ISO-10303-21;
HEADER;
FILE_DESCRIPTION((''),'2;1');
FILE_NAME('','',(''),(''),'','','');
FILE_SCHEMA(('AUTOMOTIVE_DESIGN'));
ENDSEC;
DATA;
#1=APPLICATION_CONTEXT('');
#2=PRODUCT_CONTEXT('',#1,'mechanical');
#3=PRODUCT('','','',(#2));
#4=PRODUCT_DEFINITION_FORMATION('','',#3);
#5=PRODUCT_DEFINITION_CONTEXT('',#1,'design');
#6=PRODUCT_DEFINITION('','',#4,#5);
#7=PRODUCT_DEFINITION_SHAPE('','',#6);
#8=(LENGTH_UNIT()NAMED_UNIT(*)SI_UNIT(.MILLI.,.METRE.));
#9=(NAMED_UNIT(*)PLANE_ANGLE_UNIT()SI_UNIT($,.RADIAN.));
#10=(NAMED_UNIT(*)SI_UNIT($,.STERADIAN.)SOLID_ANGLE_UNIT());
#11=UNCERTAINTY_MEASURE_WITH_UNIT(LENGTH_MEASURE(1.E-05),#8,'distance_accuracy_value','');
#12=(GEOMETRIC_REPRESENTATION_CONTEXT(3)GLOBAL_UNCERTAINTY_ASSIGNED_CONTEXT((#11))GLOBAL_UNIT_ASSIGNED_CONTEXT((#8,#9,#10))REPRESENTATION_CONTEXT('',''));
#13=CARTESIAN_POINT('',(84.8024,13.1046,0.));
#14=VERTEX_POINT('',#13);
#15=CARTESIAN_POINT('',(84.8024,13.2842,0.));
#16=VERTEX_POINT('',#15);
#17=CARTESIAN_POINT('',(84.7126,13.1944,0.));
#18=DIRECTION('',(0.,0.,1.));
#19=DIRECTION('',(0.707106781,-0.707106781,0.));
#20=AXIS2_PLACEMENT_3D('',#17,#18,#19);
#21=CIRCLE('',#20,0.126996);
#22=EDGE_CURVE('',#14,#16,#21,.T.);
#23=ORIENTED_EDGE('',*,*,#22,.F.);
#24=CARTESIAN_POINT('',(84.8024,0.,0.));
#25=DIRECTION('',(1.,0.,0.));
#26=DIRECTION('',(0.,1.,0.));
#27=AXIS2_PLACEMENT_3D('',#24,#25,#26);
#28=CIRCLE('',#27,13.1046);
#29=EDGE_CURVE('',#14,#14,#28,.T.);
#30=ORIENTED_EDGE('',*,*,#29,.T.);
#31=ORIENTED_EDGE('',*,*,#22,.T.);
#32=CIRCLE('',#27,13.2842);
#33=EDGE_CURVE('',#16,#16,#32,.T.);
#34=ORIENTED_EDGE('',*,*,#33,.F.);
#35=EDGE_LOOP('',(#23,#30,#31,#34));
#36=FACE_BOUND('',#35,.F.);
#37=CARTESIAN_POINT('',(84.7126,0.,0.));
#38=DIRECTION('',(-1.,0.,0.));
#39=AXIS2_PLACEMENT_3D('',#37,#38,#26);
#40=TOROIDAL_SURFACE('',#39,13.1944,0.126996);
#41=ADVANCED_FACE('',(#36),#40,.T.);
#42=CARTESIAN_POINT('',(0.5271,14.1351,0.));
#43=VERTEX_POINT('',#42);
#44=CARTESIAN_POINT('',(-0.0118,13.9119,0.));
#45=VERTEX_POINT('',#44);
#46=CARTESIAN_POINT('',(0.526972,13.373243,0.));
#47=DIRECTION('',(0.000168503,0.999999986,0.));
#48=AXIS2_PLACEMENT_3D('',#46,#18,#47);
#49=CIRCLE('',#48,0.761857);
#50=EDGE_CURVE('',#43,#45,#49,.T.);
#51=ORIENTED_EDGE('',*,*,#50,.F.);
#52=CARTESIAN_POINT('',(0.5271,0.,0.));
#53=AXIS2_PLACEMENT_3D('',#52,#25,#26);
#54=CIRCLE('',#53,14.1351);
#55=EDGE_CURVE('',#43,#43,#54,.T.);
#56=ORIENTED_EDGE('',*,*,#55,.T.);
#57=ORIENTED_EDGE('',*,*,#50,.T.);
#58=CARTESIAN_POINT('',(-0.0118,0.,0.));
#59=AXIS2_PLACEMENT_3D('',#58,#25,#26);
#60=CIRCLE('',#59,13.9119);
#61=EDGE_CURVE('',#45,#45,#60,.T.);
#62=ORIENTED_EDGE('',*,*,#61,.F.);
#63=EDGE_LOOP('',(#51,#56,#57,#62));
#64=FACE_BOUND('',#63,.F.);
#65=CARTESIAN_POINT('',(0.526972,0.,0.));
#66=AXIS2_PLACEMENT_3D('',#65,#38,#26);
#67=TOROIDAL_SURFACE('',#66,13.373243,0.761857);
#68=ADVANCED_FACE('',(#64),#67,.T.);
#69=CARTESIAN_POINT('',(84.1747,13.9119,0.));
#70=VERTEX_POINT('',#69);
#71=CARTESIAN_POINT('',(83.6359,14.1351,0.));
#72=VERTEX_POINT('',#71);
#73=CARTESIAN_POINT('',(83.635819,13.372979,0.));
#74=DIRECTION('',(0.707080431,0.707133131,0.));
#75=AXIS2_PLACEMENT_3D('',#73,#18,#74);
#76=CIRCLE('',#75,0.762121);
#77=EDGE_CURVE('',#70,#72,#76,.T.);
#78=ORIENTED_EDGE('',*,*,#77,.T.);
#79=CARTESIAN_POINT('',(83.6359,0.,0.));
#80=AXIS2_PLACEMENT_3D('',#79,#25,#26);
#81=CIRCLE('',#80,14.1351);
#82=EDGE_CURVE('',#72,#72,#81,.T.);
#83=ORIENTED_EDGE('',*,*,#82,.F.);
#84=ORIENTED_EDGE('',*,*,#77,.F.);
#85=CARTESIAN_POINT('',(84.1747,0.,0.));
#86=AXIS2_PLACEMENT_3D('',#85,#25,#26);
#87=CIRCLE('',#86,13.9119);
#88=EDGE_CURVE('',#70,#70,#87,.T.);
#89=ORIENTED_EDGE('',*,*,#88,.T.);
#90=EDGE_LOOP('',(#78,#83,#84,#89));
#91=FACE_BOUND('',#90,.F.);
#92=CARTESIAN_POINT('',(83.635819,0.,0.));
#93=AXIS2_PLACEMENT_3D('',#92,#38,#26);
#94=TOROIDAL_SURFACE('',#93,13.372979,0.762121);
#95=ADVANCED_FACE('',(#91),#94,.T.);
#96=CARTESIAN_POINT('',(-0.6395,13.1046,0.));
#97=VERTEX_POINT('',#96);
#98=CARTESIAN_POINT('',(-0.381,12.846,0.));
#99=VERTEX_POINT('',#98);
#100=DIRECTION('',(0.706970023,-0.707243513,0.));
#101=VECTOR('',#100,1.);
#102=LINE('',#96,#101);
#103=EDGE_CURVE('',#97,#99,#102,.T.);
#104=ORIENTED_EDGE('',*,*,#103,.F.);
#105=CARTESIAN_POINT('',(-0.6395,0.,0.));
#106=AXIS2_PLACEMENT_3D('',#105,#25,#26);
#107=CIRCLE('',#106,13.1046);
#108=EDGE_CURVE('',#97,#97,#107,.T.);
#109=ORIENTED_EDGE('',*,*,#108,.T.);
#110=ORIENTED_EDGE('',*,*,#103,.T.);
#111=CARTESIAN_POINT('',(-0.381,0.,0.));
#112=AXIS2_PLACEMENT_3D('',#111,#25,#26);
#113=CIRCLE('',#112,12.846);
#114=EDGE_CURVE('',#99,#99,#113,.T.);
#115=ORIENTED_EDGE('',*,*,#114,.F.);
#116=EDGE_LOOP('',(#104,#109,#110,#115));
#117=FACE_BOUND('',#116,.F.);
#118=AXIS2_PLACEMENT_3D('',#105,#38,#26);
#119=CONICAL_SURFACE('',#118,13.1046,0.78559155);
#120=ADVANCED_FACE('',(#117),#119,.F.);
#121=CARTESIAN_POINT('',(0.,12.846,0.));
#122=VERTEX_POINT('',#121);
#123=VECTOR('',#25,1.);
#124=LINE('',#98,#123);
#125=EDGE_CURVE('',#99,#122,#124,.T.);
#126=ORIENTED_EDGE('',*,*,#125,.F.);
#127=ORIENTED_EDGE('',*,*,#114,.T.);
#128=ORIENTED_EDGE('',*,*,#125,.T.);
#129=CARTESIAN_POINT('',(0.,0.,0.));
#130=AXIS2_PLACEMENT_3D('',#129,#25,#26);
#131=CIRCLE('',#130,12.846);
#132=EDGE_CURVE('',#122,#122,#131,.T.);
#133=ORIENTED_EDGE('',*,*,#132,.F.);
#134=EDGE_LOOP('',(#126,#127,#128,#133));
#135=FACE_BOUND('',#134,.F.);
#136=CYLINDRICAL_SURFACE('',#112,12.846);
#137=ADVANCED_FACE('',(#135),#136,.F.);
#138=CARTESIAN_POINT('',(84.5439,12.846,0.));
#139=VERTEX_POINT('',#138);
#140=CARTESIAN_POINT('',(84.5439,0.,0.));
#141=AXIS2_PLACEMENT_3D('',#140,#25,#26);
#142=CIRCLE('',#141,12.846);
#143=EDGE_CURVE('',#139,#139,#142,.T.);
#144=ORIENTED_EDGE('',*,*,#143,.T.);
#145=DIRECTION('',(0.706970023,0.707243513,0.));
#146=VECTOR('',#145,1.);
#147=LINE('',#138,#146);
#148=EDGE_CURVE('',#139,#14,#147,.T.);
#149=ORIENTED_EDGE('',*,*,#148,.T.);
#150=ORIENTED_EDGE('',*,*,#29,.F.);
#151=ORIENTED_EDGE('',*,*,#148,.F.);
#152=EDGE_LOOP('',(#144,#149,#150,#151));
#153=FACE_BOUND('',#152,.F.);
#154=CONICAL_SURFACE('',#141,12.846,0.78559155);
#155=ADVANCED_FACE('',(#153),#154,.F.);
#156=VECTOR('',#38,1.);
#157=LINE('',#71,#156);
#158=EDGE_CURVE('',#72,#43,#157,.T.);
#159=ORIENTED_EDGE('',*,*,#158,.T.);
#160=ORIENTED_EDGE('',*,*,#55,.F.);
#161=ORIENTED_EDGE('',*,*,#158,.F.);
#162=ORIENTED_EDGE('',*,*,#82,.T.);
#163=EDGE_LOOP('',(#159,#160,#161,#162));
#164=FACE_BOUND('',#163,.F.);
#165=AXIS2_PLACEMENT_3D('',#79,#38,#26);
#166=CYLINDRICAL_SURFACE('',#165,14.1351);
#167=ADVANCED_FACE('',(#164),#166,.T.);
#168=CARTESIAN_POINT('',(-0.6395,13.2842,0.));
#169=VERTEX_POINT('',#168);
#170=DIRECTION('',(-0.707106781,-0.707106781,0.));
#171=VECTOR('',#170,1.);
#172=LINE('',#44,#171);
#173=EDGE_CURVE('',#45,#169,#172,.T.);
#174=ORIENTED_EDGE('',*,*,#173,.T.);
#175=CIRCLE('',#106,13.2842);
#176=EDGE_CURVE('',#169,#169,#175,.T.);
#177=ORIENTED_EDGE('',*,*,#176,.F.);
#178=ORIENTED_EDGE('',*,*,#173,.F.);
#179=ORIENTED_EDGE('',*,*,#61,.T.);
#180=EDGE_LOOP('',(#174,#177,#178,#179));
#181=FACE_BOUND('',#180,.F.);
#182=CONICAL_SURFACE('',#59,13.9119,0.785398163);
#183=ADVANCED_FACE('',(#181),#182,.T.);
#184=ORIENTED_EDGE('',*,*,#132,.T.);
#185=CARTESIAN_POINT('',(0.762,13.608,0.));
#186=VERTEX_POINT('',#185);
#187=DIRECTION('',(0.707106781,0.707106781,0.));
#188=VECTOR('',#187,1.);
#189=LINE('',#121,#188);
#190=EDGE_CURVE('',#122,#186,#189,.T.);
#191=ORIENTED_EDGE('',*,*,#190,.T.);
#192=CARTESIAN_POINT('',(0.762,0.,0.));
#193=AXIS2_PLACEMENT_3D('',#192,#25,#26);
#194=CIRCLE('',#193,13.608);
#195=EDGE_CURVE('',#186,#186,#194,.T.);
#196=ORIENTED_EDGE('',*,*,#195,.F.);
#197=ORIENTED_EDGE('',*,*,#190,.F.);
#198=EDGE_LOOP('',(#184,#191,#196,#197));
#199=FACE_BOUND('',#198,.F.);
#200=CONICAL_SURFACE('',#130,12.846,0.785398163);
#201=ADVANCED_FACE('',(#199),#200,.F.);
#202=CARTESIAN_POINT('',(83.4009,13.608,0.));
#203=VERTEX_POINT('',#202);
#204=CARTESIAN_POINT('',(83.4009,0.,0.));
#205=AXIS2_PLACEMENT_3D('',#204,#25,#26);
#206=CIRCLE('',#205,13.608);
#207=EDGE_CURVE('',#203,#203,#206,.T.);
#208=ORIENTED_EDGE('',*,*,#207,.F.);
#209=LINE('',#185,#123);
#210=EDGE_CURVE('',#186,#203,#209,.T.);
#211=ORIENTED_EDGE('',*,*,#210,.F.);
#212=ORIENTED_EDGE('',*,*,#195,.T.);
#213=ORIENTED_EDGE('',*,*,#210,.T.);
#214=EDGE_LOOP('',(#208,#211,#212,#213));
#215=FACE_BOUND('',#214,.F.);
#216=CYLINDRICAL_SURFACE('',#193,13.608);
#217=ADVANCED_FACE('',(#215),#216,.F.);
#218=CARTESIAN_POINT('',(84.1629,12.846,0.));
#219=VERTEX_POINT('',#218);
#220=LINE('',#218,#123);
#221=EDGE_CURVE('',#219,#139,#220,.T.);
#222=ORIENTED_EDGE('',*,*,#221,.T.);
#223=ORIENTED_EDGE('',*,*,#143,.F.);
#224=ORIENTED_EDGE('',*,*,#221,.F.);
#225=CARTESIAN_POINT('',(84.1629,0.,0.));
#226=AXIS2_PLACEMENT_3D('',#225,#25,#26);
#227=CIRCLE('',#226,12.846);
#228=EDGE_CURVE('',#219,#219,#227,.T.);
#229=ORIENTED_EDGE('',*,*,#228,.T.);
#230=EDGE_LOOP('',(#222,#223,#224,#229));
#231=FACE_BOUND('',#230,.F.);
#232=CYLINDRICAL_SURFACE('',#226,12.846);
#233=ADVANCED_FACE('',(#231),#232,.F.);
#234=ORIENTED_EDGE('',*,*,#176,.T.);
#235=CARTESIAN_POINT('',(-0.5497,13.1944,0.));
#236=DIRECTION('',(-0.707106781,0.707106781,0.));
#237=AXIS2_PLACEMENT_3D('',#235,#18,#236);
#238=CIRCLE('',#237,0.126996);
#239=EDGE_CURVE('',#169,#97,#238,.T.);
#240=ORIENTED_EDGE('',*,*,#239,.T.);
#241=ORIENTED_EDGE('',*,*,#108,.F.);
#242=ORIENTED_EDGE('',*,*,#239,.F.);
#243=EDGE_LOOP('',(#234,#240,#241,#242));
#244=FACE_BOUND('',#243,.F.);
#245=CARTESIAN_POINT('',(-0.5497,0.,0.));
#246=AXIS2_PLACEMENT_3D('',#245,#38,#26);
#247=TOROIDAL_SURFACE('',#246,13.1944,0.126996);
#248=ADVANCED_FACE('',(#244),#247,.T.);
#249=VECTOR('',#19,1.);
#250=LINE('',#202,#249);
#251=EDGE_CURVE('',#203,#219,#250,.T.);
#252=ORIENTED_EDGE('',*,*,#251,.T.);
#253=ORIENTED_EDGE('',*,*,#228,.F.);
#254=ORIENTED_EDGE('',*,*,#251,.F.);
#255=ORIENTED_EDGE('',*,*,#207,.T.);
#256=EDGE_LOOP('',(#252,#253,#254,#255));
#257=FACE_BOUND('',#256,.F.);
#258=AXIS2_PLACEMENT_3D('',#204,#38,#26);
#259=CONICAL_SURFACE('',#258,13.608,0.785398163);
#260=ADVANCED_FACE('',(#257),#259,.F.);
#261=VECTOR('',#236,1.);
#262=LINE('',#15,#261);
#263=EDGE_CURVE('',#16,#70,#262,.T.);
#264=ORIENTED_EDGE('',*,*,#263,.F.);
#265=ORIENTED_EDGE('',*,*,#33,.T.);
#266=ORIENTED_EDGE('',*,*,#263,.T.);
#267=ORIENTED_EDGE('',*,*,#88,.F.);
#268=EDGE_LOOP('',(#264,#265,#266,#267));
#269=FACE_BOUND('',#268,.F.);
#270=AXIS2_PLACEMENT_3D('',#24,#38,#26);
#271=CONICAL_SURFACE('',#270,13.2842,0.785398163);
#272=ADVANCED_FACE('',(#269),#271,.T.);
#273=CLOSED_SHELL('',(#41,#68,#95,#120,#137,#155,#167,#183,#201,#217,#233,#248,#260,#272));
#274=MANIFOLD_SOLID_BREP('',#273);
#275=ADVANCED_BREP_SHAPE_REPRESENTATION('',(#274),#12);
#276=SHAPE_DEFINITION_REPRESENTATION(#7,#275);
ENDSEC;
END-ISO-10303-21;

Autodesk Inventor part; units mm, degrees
sketch "Sketch_1" plane through (0, 0, 0) normal (0, 0, 1) x (1, 0, 0)
  line L0 (84.1629, 0) -> (0, 0)
  arc A0 (-0.6395, 13.2842) -> (-0.6395, 13.1046) centre (-0.5497, 13.1944) ccw
  line L1 (-0.6395, 13.1046) -> (-0.381, 12.846)
  line L2 (-0.381, 12.846) -> (0, 12.846)
  line L3 (0, 12.846) -> (0.762, 13.608)
  line L4 (0.762, 13.608) -> (83.4009, 13.608)
  line L5 (83.4009, 13.608) -> (84.1629, 12.846)
  line L6 (84.1629, 12.846) -> (84.5439, 12.846)
  line L7 (84.5439, 12.846) -> (84.8024, 13.1046)
  arc A1 (84.8024, 13.1046) -> (84.8024, 13.2842) centre (84.7126, 13.1944) ccw
  line L8 (84.8024, 13.2842) -> (84.1747, 13.9119)
  arc A2 (84.1747, 13.9119) -> (83.6359, 14.1351) centre (83.6359, 13.3731) ccw
  line L9 (83.6359, 14.1351) -> (0.5271, 14.1351)
  arc A3 (0.5271, 14.1351) -> (-0.0118, 13.9119) centre (0.527, 13.3731) ccw
  line L10 (-0.0118, 13.9119) -> (-0.6395, 13.2842)
revolve "Revolution1" add sketch "Sketch_1" angle 360 about axis through (84.1629, 0, 0) along (1, 0, 0)
ref_plane "cp1_XY" through (42.0815, 0, 14.1351) normal (1, 0, 0) x (0, 0, -1)
ref_plane "cp1_YZ" through (42.0815, 0, 14.1351) normal (0, 0, -1) x (0, 1, 0)
ref_plane "cp1_ZX" through (42.0815, 0, 14.1351) normal (0, 1, 0) x (1, 0, 0)
ref_plane "cp2_XY" through (42.0815, 14.1351, 0) normal (1, 0, 0) x (0, 0, -1)
ref_plane "cp2_YZ" through (42.0815, 14.1351, 0) normal (0, 0, -1) x (0, 1, 0)
ref_plane "cp2_ZX" through (42.0815, 14.1351, 0) normal (0, 1, 0) x (1, 0, 0)
ref_plane "cp3_XY" through (42.0815, 0, -14.1351) normal (1, 0, 0) x (0, 0, -1)
ref_plane "cp3_YZ" through (42.0815, 0, -14.1351) normal (0, 0, -1) x (0, 1, 0)
ref_plane "cp3_ZX" through (42.0815, 0, -14.1351) normal (0, 1, 0) x (1, 0, 0)
ref_plane "cp4_XY" through (42.0815, -14.1351, 0) normal (1, 0, 0) x (0, 0, -1)
ref_plane "cp4_YZ" through (42.0815, -14.1351, 0) normal (0, 0, -1) x (0, 1, 0)
ref_plane "cp4_ZX" through (42.0815, -14.1351, 0) normal (0, 1, 0) x (1, 0, 0)
ref_plane "tube_front_XY" through (0, 0, 0) normal (1, 0, 0) x (0, 0, -1)
ref_plane "tube_front_YZ" through (0, 0, 0) normal (0, 0, -1) x (0, 1, 0)
ref_plane "tube_front_ZX" through (0, 0, 0) normal (0, 1, 0) x (1, 0, 0)
ref_plane "tube_rear_XY" through (84.1629, 0, 0) normal (1, 0, 0) x (0, 0, -1)
ref_plane "tube_rear_YZ" through (84.1629, 0, 0) normal (0, 0, -1) x (0, 1, 0)
ref_plane "tube_rear_ZX" through (84.1629, 0, 0) normal (0, 1, 0) x (1, 0, 0)
properties part number "09R-3.31350SR"
